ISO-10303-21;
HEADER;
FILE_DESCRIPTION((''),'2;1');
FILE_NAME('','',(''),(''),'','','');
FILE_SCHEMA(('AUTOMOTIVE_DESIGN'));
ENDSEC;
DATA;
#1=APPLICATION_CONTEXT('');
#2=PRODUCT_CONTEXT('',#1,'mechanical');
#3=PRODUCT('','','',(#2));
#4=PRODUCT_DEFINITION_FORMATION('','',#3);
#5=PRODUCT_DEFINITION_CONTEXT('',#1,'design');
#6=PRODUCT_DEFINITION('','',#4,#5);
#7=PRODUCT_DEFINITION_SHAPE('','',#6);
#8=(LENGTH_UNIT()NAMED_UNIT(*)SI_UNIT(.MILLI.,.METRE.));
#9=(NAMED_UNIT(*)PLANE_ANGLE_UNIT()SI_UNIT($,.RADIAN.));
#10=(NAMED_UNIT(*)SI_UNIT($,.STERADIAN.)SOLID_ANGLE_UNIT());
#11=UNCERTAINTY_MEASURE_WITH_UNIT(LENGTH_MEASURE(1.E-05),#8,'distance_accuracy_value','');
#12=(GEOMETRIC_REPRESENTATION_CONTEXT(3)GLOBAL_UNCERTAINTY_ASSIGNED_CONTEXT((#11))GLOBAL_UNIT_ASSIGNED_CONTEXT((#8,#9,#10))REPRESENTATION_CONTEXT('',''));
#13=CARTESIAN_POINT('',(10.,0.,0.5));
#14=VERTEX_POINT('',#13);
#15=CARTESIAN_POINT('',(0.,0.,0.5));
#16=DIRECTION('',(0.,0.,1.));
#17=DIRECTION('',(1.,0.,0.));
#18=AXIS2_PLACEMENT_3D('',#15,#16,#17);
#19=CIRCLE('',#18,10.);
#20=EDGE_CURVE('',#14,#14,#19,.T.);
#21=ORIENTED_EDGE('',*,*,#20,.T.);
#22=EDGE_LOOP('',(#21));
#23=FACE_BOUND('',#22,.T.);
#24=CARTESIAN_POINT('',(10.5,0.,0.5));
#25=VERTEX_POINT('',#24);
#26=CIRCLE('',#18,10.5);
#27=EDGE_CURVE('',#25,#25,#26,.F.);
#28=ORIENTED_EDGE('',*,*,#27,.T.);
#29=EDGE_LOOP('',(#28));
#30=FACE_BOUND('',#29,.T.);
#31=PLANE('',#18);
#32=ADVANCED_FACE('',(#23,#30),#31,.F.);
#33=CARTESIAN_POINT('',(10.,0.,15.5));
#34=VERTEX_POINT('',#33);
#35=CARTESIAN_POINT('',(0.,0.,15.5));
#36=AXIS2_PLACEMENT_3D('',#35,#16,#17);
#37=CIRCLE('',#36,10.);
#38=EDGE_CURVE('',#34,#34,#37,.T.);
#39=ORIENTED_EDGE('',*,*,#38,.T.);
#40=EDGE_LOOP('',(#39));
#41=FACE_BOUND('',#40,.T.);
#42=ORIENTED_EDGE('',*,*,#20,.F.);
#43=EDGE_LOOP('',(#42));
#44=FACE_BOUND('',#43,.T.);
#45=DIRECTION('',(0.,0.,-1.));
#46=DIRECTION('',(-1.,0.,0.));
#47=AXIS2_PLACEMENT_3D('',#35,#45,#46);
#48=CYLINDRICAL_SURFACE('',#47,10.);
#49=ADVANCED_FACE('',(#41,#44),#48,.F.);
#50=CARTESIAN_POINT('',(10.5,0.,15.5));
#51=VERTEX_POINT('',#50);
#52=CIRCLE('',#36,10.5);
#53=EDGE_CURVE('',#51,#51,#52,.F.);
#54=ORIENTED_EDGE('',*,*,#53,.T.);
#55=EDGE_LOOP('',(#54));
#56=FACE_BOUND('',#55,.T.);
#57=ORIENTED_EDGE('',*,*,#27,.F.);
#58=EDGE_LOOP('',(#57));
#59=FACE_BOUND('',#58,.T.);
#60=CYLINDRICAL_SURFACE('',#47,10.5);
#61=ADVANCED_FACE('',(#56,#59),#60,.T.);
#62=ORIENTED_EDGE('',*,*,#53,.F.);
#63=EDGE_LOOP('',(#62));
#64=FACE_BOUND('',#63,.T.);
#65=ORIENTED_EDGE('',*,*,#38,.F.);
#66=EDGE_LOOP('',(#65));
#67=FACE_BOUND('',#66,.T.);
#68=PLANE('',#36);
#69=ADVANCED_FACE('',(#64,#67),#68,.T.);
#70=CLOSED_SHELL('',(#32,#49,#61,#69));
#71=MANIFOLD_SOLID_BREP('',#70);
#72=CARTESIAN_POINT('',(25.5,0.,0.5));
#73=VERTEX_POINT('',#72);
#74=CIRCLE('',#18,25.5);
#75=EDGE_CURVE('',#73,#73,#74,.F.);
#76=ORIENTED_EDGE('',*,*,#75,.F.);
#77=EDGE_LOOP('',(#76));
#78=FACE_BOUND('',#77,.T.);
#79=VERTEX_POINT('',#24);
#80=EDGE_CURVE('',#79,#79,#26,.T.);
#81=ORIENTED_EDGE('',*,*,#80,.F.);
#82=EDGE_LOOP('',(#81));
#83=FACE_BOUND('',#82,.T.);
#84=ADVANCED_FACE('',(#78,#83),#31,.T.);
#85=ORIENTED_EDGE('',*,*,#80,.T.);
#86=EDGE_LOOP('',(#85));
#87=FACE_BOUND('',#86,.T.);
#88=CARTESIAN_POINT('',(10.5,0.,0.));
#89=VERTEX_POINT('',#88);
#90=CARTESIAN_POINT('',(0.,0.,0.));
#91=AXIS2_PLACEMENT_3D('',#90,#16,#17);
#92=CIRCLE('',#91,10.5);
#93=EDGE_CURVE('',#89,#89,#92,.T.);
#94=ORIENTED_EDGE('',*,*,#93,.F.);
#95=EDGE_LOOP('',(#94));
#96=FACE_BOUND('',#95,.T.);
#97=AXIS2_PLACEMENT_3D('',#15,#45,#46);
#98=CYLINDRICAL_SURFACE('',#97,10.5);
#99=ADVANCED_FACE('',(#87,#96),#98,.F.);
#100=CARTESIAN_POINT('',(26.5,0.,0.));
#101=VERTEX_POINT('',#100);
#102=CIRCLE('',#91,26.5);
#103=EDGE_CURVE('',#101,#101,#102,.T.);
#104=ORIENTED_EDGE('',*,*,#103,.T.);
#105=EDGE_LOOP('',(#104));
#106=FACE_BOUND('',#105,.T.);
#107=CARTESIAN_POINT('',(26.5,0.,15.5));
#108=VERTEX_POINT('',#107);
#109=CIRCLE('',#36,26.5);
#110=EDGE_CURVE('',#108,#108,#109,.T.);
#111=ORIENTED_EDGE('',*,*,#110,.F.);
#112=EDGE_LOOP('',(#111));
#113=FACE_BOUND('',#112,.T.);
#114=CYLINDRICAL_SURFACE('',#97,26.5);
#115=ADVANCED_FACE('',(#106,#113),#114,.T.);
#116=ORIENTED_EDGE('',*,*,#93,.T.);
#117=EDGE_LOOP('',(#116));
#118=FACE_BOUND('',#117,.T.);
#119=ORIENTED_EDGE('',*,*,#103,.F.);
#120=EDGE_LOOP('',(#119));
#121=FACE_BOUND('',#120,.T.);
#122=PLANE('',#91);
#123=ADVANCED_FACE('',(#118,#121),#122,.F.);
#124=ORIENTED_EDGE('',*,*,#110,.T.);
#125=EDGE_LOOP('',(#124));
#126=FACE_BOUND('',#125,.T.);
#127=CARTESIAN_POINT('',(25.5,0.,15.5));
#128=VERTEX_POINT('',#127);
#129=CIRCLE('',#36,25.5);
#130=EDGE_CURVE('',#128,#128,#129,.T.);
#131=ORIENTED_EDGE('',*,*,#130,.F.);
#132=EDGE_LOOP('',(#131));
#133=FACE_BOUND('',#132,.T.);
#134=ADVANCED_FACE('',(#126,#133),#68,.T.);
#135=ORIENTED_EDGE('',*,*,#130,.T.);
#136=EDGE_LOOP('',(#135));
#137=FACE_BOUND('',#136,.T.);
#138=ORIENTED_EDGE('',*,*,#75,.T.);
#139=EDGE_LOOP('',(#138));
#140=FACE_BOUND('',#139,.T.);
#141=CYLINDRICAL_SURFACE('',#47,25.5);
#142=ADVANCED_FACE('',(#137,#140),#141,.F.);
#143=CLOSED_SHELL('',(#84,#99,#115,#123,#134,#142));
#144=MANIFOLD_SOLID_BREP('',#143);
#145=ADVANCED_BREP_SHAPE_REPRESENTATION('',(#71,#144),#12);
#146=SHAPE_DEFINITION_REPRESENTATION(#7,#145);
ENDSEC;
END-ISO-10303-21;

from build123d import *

# Parameters (mm, degrees)
SKETCH1_R           = 26.5
SKETCH1_R_2         = 10.5
BOSS_EXTRUDE2_DEPTH = 0.5
SKETCH2_R           = 26.5
SKETCH2_R_2         = 25.5
SKETCH2_R_3         = 10.5
SKETCH2_R_4         = 10
BOSS_EXTRUDE3_DEPTH = 15


with BuildPart() as part:
    # Sketch1 → Boss-Extrude2 (new body)
    with BuildSketch(Plane.XY):
        Circle(SKETCH1_R)
        Circle(SKETCH1_R_2, mode=Mode.SUBTRACT)
    extrude(amount=BOSS_EXTRUDE2_DEPTH)

    # Sketch2 → Boss-Extrude3 (add)
    # profile 1 of 2: a face of its own
    with BuildSketch(Plane.XY.offset(0.5)):
        Circle(SKETCH2_R)
        Circle(SKETCH2_R_2, mode=Mode.SUBTRACT)
    # profile 2 of 2: a face of its own
    with BuildSketch(Plane.XY.offset(0.5)):
        Circle(SKETCH2_R_3)
        Circle(SKETCH2_R_4, mode=Mode.SUBTRACT)
    extrude(amount=BOSS_EXTRUDE3_DEPTH)


with BuildPart() as boss_extrude3_piece_1:
    # of the separate pieces the step leaves, piece 1, a body of its own (boss_extrude3_pieces)
    add(part.part.solids().sort_by_distance((26.5, 0, 0))[0])


with BuildPart() as boss_extrude3_piece_2:
    # of the separate pieces the step leaves, piece 2, a body of its own (boss_extrude3_pieces)
    add(part.part.solids().sort_by_distance((10.5, 0, 15.5))[0])


solid = Compound([boss_extrude3_piece_1.part, boss_extrude3_piece_2.part])
